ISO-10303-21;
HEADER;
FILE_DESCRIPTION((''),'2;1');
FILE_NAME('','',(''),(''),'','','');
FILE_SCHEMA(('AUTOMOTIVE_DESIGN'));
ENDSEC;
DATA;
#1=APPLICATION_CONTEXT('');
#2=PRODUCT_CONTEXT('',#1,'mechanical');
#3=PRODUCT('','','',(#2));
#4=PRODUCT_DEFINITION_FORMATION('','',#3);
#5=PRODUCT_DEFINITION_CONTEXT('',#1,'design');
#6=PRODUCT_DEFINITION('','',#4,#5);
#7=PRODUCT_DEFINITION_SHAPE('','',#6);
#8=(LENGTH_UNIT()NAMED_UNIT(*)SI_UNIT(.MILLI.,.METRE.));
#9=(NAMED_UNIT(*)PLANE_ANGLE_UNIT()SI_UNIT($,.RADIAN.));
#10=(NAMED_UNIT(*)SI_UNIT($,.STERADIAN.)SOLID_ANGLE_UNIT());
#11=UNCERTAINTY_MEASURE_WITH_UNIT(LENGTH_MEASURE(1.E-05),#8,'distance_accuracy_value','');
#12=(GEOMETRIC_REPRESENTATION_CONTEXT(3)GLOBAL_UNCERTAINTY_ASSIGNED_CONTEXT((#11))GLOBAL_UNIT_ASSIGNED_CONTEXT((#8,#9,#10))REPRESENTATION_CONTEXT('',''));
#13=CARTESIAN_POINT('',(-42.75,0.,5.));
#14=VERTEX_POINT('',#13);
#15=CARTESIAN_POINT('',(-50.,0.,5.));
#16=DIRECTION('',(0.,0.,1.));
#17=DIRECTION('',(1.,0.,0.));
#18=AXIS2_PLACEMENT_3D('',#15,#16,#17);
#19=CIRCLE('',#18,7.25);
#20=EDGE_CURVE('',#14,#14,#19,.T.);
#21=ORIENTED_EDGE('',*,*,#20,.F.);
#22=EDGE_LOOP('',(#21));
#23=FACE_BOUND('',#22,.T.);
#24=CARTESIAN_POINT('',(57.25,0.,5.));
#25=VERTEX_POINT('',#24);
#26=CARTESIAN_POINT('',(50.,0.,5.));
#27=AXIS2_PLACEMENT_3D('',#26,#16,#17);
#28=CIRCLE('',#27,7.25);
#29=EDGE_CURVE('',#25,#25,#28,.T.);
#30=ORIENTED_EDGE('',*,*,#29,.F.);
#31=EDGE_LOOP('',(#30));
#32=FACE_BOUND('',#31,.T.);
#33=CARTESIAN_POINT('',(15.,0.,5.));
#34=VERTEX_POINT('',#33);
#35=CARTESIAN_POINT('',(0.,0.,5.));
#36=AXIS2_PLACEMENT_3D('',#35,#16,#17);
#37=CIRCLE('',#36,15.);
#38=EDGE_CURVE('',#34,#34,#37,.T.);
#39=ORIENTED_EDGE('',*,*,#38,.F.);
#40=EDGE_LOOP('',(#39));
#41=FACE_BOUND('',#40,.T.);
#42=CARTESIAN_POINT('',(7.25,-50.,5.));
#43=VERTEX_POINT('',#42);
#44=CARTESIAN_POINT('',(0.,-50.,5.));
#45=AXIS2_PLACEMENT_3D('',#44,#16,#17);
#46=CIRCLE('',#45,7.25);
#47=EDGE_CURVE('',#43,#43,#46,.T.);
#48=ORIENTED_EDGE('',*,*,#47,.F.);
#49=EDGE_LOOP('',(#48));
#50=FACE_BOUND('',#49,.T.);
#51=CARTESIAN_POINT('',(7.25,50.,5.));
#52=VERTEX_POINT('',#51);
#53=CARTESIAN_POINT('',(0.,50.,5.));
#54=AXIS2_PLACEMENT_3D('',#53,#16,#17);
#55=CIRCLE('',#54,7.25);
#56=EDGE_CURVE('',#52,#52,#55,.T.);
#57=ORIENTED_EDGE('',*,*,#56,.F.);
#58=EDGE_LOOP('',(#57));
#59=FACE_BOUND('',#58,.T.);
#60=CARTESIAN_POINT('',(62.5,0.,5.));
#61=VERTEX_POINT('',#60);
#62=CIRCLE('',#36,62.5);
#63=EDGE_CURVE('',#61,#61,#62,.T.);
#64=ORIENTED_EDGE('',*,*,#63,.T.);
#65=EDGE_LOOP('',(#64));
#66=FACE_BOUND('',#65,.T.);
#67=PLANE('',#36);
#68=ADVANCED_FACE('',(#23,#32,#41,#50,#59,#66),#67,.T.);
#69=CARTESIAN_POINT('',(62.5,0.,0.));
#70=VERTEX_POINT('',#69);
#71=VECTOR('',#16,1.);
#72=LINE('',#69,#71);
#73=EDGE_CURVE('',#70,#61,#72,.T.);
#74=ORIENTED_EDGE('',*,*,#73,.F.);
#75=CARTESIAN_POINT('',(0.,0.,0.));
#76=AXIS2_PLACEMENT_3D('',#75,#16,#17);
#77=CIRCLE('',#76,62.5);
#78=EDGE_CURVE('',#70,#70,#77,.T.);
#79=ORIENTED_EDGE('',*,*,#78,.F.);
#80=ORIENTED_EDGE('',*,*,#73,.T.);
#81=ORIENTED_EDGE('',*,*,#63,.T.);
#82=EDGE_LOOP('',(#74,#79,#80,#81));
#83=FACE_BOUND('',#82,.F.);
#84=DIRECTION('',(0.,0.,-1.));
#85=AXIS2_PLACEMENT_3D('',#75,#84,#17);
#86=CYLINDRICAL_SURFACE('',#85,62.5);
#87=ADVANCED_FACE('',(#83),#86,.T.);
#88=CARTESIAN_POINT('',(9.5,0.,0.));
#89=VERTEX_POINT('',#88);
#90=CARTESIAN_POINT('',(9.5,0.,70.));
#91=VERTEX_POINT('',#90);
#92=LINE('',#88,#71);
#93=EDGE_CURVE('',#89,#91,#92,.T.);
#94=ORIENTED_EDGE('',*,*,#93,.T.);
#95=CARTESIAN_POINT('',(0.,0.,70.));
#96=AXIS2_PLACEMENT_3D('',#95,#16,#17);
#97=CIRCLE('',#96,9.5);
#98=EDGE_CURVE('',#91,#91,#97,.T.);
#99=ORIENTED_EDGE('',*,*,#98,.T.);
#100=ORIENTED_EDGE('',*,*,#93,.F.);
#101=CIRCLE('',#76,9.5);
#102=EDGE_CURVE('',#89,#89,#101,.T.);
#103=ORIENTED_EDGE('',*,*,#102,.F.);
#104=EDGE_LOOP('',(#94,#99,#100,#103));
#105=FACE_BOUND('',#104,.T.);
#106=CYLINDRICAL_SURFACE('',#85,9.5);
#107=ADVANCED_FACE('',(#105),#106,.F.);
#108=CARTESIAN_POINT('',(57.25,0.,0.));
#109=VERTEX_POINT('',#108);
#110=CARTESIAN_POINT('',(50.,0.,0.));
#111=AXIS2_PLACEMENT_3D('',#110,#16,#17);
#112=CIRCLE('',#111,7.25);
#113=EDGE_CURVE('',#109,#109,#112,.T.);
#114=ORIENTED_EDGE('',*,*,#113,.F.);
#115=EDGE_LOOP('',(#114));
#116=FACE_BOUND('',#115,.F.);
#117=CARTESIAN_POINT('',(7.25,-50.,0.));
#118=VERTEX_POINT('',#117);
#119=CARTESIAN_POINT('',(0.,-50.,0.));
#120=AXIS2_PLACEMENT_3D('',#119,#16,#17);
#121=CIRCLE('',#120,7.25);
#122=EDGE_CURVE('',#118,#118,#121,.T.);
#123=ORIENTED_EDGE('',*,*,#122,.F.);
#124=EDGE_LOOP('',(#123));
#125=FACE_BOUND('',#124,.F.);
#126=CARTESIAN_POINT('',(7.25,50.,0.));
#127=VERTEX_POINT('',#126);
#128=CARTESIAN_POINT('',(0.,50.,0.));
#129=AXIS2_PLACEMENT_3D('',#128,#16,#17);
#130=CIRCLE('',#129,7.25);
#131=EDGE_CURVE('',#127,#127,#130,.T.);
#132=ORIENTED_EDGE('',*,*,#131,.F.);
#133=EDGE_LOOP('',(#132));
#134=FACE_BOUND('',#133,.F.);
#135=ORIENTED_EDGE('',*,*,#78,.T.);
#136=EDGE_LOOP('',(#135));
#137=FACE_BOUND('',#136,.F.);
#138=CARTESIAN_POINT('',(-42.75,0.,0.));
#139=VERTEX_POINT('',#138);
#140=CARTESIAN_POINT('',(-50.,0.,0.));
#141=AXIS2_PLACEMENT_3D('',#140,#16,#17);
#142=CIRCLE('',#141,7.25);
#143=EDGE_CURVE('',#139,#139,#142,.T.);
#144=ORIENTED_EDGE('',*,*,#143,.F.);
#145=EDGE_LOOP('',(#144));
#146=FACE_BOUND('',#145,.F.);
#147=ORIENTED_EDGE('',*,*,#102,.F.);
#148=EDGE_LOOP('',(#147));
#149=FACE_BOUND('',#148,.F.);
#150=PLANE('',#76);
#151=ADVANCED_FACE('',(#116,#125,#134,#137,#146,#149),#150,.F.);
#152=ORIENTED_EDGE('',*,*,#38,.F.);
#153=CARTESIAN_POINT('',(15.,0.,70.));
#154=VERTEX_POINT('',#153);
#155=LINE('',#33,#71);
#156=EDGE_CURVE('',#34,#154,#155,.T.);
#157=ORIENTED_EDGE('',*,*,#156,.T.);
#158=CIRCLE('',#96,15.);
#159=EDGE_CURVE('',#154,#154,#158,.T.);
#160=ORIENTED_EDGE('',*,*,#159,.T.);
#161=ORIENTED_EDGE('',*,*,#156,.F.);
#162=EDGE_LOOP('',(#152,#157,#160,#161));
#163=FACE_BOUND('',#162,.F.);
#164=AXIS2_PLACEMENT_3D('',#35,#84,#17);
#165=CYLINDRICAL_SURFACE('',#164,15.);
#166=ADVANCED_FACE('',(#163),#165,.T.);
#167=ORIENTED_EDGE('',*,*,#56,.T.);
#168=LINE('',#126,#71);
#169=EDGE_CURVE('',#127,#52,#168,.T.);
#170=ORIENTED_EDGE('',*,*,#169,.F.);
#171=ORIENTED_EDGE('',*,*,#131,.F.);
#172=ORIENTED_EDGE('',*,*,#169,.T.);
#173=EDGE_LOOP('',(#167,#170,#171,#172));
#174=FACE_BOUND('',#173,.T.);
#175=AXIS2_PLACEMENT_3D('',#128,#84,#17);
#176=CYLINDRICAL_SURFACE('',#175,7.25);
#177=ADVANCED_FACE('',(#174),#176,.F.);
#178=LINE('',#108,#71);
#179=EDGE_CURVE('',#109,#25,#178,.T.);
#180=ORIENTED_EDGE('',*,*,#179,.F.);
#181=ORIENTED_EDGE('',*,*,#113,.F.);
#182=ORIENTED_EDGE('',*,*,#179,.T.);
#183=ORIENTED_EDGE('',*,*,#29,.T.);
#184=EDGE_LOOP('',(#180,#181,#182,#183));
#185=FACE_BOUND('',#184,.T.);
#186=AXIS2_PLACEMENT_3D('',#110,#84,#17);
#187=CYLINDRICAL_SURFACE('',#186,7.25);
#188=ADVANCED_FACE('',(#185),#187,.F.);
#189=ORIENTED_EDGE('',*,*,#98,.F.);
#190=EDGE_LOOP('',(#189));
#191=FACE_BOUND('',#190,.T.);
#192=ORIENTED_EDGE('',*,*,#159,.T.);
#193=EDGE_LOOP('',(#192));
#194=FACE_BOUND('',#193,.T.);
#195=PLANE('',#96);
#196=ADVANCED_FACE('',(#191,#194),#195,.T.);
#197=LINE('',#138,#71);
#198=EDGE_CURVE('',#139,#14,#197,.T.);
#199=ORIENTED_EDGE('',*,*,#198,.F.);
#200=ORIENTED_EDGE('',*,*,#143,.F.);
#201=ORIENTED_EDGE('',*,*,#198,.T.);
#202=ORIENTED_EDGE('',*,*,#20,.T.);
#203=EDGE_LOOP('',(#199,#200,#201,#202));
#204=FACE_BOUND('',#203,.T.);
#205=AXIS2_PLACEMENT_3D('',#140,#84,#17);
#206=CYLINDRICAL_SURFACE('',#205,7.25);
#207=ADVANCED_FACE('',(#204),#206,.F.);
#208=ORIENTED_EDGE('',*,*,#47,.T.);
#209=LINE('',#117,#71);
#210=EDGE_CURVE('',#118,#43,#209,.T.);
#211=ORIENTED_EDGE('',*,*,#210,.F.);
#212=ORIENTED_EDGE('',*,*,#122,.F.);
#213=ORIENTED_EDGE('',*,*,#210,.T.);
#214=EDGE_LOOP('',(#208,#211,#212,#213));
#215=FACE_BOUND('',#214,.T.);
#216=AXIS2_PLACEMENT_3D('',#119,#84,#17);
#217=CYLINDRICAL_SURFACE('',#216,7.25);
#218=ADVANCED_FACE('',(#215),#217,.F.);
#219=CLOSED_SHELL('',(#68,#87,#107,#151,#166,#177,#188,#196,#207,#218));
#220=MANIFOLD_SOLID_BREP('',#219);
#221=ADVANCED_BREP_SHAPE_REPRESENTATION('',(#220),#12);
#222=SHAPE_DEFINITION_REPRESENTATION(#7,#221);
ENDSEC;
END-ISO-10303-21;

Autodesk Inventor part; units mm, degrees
ref_plane "YZ Plane" through (0, 0, 0) normal (1, 0, 0) x (0, 1, 0)
ref_plane "XZ Plane" through (0, 0, 0) normal (0, 1, 0) x (-1, 0, 0)
ref_plane "XY Plane" through (0, 0, 0) normal (0, 0, 1) x (1, 0, 0)
sketch "Sketch1" plane through (0, 0, 0) normal (0, 0, 1) x (1, 0, 0)
  circle A0 centre (0, 0) radius 50 construction
  circle A1 centre (0, 50) radius 7.25
  circle A2 centre (-50, 0) radius 7.25
  circle A3 centre (0, -50) radius 7.25
  circle A4 centre (50, 0) radius 7.25
  circle A5 centre (0, 0) radius 15 construction
  circle A6 centre (0, 0) radius 62.5
  circle A7 centre (0, 0) radius 9.5
  dimension "d0" = 100
  dimension "d1" = 14.5
  dimension "d4" = 360
  dimension "d6" = 30
  dimension "d7" = 125
  dimension "d8" = 19
extrude "Extrusion1" add sketch "Sketch1" along normal blind 5
sketch "Sketch2" plane through (0, 0, 5) normal (0, 0, 1) x (1, 0, 0)
  circle A0 centre (0, 0) radius 15
  circle A1 centre (0, 0) radius 9.5 projected
  dimension "d11" = 30
extrude "Extrusion2" add sketch "Sketch2" along normal blind 65
properties part number "wheelFlange"
